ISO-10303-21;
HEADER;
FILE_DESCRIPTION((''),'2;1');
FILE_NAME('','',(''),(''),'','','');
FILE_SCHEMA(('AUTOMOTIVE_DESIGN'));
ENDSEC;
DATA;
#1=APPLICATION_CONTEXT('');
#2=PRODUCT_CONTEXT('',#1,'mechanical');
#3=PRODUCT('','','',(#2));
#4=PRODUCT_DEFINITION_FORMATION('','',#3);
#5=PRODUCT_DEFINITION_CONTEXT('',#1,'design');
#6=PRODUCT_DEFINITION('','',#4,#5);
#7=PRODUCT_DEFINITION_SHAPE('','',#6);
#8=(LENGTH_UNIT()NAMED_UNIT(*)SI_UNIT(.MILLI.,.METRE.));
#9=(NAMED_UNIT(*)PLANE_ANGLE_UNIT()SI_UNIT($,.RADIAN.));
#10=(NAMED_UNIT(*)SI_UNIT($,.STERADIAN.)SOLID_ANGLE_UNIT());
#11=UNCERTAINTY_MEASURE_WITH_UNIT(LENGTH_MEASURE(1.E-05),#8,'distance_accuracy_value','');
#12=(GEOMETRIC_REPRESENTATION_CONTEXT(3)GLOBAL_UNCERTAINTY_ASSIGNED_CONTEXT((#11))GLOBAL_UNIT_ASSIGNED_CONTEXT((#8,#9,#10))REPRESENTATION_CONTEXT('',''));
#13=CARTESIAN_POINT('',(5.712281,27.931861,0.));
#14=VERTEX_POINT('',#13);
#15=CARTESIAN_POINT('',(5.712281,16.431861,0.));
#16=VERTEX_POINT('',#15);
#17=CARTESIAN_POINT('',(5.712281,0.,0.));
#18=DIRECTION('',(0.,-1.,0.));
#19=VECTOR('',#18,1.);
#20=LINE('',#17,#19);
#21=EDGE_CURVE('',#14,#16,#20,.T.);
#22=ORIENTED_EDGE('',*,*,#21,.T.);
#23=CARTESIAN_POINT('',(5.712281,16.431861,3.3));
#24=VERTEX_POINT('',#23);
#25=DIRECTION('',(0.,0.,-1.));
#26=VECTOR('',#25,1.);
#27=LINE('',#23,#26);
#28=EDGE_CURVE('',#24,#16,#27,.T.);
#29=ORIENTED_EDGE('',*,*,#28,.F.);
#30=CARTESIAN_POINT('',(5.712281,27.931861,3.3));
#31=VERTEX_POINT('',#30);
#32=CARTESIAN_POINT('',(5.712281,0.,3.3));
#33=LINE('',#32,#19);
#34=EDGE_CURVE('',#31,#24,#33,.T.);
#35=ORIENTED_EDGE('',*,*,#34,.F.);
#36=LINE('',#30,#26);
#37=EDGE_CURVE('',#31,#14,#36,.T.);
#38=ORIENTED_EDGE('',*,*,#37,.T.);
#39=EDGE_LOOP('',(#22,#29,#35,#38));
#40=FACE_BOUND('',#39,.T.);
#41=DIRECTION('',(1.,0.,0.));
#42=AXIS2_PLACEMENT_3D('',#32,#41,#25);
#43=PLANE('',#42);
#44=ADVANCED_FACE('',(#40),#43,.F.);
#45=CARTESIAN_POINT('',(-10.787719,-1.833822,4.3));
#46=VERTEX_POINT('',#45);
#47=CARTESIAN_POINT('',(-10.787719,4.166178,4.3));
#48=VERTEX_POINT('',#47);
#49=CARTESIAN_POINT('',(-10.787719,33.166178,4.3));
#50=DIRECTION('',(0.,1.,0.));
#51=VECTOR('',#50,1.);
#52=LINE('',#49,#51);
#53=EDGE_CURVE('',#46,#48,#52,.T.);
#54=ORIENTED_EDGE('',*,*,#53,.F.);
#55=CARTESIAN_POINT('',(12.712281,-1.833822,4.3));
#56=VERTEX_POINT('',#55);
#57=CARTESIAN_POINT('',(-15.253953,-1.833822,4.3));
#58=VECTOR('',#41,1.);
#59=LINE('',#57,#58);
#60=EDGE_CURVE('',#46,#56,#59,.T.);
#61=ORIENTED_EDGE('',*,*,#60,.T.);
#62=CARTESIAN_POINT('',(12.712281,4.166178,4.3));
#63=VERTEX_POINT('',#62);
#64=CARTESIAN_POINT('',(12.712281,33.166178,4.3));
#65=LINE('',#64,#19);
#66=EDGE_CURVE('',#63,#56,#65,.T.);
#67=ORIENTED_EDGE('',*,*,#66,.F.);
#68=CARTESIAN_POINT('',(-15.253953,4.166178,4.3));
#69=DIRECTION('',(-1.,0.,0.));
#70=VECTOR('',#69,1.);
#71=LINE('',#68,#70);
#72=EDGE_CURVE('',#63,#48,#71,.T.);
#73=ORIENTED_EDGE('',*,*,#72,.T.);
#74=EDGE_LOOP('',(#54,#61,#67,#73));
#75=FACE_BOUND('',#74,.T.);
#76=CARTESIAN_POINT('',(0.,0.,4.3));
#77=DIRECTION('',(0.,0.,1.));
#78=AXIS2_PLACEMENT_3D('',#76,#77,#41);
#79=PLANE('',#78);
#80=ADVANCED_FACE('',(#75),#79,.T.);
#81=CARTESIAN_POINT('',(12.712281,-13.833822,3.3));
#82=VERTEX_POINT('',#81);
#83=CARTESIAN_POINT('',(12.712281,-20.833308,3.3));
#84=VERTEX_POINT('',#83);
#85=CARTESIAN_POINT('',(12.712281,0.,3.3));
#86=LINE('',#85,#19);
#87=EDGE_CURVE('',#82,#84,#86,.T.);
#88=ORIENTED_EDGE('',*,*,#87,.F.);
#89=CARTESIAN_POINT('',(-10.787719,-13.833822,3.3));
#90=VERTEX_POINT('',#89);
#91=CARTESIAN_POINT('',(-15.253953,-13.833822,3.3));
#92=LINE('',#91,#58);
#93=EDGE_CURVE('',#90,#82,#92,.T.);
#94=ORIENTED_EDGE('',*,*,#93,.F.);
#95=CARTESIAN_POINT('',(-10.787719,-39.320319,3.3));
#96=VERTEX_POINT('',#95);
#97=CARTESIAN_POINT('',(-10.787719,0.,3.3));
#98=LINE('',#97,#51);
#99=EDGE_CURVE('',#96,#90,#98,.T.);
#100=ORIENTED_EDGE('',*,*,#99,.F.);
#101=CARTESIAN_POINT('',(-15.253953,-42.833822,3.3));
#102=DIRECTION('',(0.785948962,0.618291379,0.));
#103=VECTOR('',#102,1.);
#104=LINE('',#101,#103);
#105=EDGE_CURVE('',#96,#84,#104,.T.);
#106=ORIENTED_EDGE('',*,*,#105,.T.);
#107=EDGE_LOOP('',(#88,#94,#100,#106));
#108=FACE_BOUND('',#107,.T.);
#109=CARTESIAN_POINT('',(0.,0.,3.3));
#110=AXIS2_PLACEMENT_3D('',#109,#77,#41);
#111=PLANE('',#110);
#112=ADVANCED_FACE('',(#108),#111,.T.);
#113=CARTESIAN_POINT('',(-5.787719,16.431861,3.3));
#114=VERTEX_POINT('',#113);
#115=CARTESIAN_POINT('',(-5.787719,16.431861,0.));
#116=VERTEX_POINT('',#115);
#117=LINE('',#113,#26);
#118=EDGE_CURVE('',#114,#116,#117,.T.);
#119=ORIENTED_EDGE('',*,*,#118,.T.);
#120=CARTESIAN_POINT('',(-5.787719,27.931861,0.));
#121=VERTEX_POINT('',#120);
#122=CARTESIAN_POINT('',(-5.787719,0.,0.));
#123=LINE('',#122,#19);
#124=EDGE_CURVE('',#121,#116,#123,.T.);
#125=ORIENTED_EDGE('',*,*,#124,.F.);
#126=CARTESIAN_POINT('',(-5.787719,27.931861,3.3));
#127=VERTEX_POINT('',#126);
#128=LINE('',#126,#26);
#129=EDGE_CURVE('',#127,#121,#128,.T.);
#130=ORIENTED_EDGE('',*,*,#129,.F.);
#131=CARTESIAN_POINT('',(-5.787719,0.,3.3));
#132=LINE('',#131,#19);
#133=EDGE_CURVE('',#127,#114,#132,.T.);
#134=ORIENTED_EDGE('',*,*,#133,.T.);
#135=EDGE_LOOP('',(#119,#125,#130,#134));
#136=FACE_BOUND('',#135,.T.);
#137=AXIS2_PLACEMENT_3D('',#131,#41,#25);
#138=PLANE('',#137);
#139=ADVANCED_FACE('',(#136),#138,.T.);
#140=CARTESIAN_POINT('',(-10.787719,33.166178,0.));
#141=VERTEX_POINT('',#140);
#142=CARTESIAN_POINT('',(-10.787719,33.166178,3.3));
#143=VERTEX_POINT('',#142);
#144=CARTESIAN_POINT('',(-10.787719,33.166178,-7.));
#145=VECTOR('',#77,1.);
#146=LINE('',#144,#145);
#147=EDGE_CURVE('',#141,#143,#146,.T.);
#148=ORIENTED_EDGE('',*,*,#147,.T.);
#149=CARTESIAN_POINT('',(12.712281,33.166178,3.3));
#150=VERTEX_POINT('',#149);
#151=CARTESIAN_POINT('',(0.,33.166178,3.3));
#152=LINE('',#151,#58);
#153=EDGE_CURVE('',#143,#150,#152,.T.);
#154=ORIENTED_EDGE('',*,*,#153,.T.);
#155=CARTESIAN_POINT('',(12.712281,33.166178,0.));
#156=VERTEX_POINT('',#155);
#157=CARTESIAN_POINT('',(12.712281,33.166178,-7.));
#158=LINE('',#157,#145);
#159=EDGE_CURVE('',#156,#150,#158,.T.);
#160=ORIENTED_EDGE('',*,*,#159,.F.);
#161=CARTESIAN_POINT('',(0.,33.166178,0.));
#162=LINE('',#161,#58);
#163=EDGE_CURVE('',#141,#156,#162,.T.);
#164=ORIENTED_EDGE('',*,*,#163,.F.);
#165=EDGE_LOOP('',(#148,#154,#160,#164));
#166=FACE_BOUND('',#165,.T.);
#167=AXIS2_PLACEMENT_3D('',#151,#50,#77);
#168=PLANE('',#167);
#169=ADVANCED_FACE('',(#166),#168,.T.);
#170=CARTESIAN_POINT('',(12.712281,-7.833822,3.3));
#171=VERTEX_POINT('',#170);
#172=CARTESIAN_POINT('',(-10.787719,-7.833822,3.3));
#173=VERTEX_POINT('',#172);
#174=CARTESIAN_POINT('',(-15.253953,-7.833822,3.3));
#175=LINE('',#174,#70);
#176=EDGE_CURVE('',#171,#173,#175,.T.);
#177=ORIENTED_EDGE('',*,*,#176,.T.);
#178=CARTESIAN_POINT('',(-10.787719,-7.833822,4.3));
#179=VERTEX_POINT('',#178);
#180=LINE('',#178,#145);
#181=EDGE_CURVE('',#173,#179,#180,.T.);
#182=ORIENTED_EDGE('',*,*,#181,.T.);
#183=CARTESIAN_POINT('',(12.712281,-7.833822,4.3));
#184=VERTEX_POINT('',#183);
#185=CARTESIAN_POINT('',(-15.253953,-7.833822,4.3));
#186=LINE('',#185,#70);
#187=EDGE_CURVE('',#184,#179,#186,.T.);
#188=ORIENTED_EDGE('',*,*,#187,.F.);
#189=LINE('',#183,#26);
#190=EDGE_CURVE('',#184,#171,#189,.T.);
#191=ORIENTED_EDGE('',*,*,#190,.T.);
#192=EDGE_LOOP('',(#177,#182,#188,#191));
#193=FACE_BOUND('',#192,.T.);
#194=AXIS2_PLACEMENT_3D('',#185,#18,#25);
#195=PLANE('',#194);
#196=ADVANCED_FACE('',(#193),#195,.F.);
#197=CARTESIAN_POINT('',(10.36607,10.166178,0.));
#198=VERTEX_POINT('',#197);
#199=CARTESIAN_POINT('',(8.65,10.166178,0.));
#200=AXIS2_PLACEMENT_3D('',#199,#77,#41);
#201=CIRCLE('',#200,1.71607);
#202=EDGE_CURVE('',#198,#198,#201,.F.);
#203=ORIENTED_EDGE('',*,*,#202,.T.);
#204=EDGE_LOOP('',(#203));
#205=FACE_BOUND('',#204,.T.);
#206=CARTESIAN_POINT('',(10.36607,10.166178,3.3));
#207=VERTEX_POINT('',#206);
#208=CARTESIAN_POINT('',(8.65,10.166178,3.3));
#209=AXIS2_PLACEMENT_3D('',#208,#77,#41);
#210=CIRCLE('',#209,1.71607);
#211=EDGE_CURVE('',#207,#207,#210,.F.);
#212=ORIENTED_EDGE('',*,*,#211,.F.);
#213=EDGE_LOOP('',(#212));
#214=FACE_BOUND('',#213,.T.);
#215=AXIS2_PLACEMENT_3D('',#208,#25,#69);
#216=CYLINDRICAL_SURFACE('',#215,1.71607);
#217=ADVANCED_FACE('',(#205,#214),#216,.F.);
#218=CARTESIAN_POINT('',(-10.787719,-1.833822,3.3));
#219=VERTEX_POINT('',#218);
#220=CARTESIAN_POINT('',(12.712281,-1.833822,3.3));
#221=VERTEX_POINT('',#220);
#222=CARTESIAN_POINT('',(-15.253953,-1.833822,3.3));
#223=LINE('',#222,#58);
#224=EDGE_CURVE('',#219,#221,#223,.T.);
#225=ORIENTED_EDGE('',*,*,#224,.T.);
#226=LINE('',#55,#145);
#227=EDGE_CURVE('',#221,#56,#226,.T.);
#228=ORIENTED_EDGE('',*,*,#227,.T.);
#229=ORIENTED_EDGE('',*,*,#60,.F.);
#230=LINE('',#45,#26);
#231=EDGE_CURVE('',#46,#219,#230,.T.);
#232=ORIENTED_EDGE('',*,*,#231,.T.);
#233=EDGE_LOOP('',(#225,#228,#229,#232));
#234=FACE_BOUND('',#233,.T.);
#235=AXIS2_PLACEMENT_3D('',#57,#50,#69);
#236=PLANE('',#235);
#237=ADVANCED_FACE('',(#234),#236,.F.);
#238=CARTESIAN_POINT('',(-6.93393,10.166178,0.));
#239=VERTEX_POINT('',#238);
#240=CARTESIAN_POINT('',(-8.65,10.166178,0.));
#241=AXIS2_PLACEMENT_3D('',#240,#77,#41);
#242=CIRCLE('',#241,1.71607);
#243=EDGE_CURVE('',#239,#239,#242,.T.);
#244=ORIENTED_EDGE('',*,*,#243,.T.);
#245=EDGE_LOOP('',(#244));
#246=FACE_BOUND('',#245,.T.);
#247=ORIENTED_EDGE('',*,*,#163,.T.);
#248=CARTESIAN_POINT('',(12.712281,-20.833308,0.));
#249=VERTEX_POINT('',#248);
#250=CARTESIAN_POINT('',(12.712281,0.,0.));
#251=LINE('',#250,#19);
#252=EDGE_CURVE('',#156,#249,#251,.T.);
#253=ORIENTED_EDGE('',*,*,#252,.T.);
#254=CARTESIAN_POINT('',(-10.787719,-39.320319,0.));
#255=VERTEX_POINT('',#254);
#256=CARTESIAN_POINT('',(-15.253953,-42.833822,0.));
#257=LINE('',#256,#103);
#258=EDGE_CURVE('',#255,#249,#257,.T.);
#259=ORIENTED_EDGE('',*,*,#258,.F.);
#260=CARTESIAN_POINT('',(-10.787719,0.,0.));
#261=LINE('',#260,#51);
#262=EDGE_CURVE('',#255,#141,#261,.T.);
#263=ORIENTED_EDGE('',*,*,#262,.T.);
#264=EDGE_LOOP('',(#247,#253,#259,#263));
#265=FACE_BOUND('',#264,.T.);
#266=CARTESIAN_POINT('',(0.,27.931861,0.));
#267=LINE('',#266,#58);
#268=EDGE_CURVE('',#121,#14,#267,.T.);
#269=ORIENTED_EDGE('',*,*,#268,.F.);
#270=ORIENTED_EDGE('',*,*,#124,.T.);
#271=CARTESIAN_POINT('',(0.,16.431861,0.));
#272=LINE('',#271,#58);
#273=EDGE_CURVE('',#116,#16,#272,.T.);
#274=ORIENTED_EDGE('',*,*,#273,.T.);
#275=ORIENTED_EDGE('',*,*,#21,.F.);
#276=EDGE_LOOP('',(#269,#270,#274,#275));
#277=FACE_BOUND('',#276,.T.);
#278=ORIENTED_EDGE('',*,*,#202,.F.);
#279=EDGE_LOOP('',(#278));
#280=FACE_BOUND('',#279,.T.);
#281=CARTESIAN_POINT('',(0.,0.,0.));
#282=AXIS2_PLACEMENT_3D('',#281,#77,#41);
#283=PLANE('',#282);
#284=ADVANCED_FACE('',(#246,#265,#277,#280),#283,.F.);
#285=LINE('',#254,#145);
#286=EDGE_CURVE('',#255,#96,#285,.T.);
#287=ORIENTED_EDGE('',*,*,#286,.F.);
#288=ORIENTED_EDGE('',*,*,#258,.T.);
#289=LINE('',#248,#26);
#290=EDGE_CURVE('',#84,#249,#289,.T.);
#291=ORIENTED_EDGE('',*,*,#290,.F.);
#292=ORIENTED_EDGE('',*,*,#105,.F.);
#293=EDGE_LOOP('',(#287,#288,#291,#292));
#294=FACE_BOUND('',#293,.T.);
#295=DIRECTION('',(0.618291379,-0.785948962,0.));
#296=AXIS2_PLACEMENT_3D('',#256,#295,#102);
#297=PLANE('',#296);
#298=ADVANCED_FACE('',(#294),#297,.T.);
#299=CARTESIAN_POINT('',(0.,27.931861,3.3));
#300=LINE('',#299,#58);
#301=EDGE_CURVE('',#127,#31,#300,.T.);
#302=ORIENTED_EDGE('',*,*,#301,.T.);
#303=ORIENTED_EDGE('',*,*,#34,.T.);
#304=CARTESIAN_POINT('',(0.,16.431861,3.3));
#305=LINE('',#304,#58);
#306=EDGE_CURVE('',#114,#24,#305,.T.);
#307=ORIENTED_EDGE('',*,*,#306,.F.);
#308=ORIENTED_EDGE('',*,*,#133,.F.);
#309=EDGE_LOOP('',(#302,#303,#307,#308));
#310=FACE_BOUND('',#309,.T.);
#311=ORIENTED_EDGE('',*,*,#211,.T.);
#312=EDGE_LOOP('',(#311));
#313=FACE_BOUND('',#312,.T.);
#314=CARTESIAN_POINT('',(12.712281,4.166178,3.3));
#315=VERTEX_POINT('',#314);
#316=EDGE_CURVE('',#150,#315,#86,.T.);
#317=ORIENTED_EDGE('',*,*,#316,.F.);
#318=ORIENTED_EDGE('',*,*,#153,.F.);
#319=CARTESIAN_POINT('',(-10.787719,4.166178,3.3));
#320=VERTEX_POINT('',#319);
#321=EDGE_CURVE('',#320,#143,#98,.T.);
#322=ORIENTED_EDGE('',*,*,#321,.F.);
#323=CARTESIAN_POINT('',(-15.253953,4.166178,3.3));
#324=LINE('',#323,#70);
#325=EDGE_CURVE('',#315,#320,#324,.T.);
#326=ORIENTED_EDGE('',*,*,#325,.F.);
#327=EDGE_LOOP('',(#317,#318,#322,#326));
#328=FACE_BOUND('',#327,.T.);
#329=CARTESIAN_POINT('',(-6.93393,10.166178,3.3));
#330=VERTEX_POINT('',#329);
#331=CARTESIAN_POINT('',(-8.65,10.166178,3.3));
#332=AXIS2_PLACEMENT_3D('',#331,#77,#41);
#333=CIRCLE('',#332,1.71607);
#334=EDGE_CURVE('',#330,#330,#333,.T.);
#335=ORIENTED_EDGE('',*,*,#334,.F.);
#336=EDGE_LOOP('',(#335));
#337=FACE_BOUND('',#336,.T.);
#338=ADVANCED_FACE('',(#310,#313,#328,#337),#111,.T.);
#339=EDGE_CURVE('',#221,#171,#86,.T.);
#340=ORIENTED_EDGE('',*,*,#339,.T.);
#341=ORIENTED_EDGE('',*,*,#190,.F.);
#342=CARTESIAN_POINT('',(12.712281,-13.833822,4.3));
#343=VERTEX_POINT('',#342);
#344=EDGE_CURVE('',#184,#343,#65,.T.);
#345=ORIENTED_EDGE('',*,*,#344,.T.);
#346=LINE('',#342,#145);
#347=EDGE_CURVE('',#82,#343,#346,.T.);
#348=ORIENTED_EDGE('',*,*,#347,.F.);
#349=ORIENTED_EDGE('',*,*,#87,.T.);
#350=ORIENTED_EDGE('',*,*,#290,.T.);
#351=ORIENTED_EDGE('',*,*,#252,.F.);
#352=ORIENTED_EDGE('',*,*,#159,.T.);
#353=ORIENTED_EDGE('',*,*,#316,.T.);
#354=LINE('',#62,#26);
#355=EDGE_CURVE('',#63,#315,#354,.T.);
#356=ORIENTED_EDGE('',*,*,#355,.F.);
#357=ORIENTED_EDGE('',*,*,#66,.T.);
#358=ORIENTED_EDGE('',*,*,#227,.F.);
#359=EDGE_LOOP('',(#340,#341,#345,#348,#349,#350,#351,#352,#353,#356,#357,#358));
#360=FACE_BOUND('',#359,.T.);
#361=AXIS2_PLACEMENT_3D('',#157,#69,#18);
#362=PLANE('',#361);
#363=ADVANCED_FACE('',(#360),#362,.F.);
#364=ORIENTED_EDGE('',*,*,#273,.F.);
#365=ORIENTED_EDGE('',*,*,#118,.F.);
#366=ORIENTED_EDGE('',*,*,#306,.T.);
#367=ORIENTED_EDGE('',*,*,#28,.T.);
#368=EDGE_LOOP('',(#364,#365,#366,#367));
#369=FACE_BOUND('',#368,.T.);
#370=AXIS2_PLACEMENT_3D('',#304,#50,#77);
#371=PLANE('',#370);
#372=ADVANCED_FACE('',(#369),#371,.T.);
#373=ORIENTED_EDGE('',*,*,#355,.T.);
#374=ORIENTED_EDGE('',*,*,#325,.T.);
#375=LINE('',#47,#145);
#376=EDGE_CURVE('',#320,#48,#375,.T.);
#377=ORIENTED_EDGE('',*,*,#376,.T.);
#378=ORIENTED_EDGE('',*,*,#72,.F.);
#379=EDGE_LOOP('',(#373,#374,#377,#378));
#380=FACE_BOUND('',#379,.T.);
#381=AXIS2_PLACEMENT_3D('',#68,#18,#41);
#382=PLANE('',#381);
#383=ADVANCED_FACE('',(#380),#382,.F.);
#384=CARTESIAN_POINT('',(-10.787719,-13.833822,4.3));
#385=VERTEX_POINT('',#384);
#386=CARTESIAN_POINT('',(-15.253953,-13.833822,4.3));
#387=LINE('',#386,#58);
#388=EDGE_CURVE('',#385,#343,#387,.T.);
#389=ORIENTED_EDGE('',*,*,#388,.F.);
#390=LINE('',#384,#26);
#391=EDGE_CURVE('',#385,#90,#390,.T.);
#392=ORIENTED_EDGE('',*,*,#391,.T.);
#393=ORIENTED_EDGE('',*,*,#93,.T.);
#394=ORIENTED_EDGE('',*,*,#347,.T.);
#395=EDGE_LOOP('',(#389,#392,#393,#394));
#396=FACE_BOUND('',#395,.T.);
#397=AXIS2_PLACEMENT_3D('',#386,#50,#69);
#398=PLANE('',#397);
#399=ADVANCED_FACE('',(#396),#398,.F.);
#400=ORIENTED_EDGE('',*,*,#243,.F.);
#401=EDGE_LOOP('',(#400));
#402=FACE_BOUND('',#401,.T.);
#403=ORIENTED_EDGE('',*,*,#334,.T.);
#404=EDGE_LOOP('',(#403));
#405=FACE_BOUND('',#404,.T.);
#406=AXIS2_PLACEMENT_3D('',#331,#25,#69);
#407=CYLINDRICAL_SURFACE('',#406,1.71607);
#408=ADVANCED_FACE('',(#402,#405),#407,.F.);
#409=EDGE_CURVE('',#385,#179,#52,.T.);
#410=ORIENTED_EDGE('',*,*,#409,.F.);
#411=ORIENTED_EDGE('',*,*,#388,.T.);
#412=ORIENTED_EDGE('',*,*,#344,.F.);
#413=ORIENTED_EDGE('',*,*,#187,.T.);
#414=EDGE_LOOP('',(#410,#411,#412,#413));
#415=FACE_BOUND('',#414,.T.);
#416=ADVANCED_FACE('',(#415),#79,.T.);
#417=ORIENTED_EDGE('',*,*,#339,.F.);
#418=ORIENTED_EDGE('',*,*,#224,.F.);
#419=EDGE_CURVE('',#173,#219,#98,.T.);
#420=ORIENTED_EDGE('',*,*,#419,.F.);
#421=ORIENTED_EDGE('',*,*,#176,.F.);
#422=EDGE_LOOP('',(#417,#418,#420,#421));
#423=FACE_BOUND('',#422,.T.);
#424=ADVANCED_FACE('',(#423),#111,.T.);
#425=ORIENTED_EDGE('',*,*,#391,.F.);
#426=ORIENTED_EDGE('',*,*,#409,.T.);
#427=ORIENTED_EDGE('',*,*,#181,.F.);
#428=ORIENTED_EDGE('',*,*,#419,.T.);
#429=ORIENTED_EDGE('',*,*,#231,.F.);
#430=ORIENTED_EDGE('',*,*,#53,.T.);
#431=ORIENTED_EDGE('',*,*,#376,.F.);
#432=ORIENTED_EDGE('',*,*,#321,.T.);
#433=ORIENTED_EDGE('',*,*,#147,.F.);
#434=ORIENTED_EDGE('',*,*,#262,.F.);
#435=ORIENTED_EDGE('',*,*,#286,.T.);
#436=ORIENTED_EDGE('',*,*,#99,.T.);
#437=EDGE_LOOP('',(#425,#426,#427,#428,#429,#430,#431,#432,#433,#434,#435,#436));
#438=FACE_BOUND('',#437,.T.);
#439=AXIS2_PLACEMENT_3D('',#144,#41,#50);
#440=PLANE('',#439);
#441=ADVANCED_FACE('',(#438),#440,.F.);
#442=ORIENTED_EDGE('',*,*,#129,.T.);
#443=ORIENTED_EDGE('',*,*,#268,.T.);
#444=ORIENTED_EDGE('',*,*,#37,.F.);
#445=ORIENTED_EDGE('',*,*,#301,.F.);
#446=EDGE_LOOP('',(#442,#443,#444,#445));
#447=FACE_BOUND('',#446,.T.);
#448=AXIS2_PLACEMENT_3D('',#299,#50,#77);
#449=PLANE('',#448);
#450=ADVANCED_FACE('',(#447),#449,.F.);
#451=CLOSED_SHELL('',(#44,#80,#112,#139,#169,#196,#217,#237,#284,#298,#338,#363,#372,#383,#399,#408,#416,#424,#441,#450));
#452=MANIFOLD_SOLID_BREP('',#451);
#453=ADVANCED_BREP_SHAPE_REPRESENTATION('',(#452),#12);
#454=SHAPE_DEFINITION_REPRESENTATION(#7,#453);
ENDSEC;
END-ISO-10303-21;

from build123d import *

# Parameters (mm, degrees)
SKETCH_1_W          = 30.50790567
SKETCH_1_H          = 76
SKETCH_1_R          = 1.716069694
SKETCH_1_W_2        = 11.5
SKETCH_1_H_2        = 11.5
SKETCH_1_W_3        = 24.50790567
SKETCH_1_H_3        = 19
EXTRUDE_1_DEPTH     = 3.3
SKETCH_2_W          = 30.50790567
SKETCH_2_H          = 6
EXTRUDE_2_DEPTH     = 1
EXTRUDE_3_DEPTH     = 3.3
CUT_EXTRUDE_1_DEPTH = 3.3
SKETCH_8_W          = 30.50790567
SKETCH_8_H          = 29
EXTRUDE_5_DEPTH     = 3.3
CUT_EXTRUDE_3_DEPTH = 3.3
SKETCH_12_W         = 4.466233575
SKETCH_12_H         = 76.29690536
SKETCH_12_W_2       = 3.912291759
SKETCH_12_H_2       = 55.852177881
CUT_EXTRUDE_6_DEPTH = 11.3


with BuildPart() as part:
    # 草圖1 → 填料-伸長1 (new body)
    with BuildSketch(Plane.XY):
        with Locations((0, -4.833822083)):
            Rectangle(SKETCH_1_W, SKETCH_1_H)
        with Locations((-8.65, 10.166177917)):
            Circle(SKETCH_1_R, mode=Mode.SUBTRACT)
        with Locations((-0.03771926, 22.181861337)):
            Rectangle(SKETCH_1_W_2, SKETCH_1_H_2, mode=Mode.SUBTRACT)
        with Locations((8.65, 10.166177917)):
            Circle(SKETCH_1_R, mode=Mode.SUBTRACT)
        with Locations((0, -30.333822083)):
            Rectangle(SKETCH_1_W_3, SKETCH_1_H_3, mode=Mode.SUBTRACT)
    extrude(amount=EXTRUDE_1_DEPTH)

    # 草圖2 → 填料-伸長2 (add)
    with BuildSketch(Plane.XY.offset(3.3)):
        with Locations((0, 1.166177917)):
            Rectangle(SKETCH_2_W, SKETCH_2_H)
        with Locations((0, -10.833822083)):
            Rectangle(SKETCH_2_W, SKETCH_2_H)
    extrude(amount=EXTRUDE_2_DEPTH)

    # 草圖3 → 填料-伸長3 (add)
    with BuildSketch(Plane.XY):
        Polygon((15.253952835, -42.833822083), (-15.253952835, -18.474060109), (15.253952835, -18.474060109), align=None)
    extrude(amount=EXTRUDE_3_DEPTH)

    # 草圖4 → 除料-伸長1 (cut)
    with BuildSketch(Plane.XY.offset(3.3)):
        Polygon((15.253952835, -42.833822083), (-15.253952835, -18.806748841), (-15.253952835, -42.833822083), align=None)
    extrude(amount=-CUT_EXTRUDE_1_DEPTH, mode=Mode.SUBTRACT)

    # 草圖8 → 填料-伸長5 (add)
    with BuildSketch(Plane.XY.offset(3.3)):
        with Locations((0, -28.333822083)):
            Rectangle(SKETCH_8_W, SKETCH_8_H)
    extrude(amount=-EXTRUDE_5_DEPTH)

    # 草圖9 → 除料-伸長3 (cut)
    with BuildSketch(Plane.XY.offset(3.3)):
        Polygon((-15.253952835, -42.833822083), (15.253952835, -18.833822083), (15.253952835, -42.833822083), align=None)
    extrude(amount=-CUT_EXTRUDE_3_DEPTH, mode=Mode.SUBTRACT)

    # 草圖12 → 除料-伸長6 (cut)
    with BuildSketch(Plane.XY.offset(4.3)):
        with Locations((-13.020836048, -4.982274763)):
            Rectangle(SKETCH_12_W, SKETCH_12_H)
        with Locations((14.66842662, 5.240088976)):
            Rectangle(SKETCH_12_W_2, SKETCH_12_H_2)
    extrude(amount=-CUT_EXTRUDE_6_DEPTH, mode=Mode.SUBTRACT)


solid = part.part
